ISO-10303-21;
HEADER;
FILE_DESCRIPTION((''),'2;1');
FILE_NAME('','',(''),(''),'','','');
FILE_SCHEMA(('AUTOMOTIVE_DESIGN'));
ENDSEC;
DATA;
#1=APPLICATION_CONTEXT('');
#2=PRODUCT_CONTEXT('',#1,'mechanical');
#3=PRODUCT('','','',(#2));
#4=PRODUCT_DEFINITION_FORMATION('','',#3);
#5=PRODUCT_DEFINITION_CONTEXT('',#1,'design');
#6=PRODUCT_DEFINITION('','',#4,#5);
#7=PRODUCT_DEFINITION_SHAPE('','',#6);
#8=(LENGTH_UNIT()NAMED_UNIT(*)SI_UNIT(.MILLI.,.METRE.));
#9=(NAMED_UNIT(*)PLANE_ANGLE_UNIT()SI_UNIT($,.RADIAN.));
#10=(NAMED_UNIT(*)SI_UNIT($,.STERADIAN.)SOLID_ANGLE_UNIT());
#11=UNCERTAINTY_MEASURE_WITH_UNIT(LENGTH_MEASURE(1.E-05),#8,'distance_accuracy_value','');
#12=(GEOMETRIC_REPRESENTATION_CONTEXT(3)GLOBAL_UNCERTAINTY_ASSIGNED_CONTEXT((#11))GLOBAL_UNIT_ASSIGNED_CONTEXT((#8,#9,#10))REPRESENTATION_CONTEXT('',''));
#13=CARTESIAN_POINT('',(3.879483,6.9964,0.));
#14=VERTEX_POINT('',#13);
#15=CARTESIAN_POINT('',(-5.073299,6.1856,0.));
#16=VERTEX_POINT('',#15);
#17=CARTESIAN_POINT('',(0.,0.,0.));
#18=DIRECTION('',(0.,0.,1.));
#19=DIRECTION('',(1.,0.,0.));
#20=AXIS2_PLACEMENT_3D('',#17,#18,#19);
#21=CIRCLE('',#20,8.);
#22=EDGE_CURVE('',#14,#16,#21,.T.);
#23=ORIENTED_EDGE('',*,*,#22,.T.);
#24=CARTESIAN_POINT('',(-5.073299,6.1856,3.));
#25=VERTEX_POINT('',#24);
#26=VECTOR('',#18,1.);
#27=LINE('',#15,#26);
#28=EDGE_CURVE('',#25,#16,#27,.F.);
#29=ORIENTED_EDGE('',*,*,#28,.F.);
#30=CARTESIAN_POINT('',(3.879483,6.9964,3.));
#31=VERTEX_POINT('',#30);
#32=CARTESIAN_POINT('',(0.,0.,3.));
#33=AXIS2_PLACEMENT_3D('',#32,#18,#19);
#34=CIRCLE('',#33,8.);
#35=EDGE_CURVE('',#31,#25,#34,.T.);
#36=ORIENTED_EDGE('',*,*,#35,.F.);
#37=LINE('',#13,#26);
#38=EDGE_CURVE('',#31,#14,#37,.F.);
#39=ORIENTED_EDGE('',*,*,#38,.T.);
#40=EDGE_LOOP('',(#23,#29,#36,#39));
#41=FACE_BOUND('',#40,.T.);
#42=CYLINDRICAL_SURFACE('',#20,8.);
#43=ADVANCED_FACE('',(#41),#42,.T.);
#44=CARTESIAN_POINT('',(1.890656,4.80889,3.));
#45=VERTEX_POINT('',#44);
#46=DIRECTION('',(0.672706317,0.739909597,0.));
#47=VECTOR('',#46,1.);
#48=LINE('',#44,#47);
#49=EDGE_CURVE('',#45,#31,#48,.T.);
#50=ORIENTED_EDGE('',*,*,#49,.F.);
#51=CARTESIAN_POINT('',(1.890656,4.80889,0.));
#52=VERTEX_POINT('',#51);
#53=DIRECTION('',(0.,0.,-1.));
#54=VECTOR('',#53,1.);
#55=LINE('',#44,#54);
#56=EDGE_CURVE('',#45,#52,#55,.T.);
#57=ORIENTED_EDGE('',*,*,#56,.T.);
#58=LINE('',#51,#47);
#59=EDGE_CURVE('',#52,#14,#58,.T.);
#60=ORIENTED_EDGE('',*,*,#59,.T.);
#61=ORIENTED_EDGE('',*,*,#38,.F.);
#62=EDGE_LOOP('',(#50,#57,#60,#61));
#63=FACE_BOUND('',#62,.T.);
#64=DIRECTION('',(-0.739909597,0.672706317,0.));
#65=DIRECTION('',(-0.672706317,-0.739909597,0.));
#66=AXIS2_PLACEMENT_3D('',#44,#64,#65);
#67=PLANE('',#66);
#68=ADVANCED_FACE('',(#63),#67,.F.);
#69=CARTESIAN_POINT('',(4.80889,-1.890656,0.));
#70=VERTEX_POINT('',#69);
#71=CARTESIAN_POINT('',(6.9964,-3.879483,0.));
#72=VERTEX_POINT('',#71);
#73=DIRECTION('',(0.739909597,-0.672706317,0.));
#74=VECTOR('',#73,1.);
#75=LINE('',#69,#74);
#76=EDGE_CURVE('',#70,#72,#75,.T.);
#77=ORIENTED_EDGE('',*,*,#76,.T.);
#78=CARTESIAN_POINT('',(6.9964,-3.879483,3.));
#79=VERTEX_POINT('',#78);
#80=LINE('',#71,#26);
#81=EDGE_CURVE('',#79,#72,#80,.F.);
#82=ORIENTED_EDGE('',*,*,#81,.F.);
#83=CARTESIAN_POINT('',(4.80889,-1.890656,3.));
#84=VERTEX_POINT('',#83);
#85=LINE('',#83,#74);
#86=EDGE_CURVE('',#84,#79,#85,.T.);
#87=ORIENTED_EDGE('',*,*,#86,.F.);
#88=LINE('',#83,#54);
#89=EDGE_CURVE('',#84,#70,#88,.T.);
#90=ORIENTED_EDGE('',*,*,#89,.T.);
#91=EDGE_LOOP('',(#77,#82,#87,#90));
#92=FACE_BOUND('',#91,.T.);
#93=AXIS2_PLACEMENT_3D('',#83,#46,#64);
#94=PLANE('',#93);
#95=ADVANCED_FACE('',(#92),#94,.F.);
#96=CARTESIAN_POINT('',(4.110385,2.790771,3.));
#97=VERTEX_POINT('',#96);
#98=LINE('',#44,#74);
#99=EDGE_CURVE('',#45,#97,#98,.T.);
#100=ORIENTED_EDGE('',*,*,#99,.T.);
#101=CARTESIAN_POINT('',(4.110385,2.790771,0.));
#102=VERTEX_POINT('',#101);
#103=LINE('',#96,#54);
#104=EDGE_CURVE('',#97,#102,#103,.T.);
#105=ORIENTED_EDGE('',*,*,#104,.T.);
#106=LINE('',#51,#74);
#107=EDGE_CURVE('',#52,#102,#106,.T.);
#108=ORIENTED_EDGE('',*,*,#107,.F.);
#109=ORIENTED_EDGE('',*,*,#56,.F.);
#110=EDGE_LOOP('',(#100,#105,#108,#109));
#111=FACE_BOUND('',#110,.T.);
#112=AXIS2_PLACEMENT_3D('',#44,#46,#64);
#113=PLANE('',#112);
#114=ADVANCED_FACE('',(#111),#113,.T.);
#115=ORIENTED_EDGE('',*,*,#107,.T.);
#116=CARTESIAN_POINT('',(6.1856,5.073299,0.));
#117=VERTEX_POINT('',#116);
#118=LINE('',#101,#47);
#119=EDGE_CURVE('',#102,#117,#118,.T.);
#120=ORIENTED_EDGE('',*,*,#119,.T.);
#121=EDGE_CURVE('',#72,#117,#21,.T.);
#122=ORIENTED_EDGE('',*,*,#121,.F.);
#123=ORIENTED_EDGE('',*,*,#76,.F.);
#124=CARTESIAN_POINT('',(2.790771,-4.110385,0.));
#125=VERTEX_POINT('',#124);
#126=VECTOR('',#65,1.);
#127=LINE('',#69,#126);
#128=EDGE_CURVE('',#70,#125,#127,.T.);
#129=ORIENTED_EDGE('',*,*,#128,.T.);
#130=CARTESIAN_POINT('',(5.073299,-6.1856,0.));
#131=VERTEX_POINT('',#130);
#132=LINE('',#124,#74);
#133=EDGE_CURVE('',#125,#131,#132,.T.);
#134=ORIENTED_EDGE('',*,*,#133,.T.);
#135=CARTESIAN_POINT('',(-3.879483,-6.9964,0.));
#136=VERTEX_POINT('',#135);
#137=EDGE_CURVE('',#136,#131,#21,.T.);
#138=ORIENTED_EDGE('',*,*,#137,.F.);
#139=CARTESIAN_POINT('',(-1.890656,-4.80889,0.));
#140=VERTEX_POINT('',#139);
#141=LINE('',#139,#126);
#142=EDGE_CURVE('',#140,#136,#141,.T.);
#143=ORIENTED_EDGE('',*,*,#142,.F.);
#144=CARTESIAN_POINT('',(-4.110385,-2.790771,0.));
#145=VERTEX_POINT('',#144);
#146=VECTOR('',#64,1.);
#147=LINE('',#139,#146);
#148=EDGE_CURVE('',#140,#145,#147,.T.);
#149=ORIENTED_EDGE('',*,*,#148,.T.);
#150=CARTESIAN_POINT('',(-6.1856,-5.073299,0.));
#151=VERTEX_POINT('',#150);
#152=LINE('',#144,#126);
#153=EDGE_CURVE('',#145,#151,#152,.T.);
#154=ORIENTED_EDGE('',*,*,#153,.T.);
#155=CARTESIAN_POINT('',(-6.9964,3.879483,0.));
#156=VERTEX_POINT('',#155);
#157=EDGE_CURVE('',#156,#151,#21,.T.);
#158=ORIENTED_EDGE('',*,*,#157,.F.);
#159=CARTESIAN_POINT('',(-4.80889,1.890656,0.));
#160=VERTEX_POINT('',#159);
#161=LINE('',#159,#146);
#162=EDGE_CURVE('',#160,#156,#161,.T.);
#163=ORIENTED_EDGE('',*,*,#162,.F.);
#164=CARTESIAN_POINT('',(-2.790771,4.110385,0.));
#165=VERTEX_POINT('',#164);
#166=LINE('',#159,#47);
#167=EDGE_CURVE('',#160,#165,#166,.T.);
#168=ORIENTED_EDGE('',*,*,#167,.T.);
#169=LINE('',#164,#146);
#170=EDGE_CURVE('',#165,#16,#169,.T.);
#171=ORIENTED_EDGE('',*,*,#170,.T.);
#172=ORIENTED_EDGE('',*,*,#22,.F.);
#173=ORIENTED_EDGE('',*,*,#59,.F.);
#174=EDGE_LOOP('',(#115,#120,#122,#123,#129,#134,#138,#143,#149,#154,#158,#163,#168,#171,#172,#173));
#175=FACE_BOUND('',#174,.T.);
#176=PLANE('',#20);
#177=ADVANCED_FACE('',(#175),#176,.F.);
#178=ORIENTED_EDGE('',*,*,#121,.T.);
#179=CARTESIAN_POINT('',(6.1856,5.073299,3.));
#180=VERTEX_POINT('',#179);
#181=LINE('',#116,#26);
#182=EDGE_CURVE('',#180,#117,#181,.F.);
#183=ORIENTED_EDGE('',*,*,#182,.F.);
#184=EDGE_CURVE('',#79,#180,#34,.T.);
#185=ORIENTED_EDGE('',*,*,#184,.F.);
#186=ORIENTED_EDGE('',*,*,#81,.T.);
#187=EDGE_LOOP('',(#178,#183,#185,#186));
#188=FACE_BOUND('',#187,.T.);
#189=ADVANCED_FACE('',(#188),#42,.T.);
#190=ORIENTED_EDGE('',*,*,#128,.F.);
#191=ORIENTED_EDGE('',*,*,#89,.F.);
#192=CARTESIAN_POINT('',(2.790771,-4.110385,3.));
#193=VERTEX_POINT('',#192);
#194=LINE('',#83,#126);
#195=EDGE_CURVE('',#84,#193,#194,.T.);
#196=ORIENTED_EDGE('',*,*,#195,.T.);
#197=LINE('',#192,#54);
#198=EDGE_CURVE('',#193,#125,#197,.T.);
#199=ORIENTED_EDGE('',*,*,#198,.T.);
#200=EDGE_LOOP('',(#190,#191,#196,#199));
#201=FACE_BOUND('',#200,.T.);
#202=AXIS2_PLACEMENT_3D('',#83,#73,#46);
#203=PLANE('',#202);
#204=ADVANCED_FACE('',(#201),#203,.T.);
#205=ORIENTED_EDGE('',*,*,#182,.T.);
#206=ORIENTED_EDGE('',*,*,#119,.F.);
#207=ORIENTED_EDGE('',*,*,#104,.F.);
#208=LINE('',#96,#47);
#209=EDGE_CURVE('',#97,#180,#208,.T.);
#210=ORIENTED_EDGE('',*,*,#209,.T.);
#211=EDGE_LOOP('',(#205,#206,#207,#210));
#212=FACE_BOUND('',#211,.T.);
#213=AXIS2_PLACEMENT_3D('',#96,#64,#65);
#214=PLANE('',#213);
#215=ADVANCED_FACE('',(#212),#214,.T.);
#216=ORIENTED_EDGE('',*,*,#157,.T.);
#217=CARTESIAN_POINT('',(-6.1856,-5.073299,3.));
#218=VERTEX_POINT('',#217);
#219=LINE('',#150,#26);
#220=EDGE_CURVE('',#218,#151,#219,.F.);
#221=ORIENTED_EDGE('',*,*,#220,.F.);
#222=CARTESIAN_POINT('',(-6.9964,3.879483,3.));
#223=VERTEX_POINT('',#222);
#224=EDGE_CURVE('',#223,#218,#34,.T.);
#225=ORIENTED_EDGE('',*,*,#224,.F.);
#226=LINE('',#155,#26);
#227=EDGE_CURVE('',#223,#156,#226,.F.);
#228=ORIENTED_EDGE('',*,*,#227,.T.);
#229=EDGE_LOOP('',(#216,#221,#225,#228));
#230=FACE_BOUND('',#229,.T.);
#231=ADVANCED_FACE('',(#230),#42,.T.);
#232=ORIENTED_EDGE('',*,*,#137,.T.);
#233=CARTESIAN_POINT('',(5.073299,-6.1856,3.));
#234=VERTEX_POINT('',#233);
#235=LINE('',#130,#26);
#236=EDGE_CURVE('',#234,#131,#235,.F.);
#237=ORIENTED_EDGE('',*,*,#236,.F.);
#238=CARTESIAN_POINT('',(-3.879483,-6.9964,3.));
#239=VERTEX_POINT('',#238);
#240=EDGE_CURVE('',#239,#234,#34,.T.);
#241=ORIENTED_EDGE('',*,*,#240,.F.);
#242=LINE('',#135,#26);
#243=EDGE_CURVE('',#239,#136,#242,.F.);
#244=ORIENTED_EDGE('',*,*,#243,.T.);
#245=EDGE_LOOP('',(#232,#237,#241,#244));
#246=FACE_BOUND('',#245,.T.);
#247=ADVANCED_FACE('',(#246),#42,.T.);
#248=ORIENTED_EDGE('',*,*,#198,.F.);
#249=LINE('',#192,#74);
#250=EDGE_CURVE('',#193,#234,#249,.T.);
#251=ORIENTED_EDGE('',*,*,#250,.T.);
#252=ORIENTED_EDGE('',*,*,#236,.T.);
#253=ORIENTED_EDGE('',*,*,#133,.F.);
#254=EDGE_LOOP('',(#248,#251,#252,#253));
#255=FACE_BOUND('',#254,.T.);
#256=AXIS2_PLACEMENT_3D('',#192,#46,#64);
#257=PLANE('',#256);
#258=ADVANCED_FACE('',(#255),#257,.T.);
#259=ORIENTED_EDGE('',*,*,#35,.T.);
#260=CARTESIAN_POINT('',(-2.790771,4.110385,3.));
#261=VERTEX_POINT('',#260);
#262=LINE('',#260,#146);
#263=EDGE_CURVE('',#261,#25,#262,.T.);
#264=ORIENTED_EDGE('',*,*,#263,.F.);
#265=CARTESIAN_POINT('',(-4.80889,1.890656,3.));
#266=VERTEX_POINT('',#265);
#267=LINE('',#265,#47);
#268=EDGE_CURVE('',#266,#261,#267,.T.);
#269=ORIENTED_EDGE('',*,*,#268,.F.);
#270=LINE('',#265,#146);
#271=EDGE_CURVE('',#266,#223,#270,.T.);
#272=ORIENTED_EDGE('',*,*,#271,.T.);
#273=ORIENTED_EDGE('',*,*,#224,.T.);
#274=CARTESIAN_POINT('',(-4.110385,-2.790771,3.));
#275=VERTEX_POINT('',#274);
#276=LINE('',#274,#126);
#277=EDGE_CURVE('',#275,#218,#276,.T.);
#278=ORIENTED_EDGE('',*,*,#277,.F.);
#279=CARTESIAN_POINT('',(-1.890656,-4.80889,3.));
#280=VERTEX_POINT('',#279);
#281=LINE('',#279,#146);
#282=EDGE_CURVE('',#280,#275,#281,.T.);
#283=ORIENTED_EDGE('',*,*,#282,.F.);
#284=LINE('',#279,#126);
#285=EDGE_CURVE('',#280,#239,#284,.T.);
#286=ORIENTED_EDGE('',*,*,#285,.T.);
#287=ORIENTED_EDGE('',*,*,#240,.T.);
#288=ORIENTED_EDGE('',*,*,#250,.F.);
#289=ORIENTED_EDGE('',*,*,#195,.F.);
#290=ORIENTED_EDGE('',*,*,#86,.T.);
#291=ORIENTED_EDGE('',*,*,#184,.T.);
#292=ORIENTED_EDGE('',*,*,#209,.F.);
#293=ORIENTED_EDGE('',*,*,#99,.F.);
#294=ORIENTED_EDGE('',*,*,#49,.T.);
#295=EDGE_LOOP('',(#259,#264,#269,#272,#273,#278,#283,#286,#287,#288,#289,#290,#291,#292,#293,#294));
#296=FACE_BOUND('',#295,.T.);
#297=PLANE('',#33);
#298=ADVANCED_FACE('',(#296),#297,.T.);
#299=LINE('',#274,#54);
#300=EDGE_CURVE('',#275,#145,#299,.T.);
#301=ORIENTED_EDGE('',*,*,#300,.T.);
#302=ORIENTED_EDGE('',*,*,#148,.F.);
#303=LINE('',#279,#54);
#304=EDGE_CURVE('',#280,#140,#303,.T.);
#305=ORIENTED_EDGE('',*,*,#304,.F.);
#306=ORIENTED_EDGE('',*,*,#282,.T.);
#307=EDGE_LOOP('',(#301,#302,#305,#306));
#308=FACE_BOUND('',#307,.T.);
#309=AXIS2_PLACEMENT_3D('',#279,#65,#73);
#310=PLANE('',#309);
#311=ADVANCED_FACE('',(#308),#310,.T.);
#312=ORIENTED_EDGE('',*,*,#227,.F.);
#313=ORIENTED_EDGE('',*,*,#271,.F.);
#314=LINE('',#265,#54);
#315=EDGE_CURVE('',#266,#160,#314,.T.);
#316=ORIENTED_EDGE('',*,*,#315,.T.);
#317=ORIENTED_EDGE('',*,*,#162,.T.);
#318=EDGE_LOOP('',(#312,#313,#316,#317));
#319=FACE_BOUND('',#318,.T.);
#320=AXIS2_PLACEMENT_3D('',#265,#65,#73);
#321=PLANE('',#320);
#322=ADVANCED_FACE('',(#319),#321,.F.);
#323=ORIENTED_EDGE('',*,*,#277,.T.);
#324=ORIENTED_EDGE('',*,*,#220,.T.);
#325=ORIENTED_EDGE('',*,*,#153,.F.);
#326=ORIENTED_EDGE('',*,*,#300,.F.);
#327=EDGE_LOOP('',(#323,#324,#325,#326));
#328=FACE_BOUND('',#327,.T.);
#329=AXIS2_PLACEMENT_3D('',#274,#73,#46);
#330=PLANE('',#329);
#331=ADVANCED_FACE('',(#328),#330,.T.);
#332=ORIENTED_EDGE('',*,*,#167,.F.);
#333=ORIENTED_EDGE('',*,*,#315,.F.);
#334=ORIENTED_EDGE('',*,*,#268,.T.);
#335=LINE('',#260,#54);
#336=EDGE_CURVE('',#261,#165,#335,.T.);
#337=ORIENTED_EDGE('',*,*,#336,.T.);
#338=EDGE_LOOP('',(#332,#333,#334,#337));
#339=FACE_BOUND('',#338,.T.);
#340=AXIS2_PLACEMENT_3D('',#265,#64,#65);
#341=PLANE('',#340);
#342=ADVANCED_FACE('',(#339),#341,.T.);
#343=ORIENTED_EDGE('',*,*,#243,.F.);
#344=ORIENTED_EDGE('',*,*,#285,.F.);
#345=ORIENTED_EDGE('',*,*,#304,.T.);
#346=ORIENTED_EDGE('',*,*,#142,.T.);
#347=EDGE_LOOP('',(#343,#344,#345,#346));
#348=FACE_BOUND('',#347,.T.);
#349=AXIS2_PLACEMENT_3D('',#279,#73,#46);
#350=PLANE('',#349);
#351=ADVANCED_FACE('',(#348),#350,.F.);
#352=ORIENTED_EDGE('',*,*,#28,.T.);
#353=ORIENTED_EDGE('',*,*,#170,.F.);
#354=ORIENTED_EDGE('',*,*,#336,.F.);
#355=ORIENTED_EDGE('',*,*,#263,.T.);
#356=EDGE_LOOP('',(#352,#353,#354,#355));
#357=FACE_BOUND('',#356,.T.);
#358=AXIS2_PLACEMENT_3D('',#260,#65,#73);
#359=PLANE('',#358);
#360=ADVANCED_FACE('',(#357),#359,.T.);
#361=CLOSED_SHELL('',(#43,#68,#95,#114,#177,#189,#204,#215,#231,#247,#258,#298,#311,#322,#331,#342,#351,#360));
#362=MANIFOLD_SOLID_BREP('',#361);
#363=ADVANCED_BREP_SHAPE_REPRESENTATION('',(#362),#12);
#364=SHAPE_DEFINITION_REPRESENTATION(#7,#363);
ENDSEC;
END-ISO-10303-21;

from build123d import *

# Parameters (mm, degrees)
SALIENTE_EXTRUIR3_DEPTH = 3
CROQUIS4_R              = 10
CROQUIS4_R_2            = 8
CORTAR_EXTRUIR4_DEPTH   = 4


with BuildPart() as part:
    # Croquis3 → Saliente-Extruir3 (new body)
    with BuildSketch(Plane.XY):
        with BuildLine():
            Line((-1.890656386, -4.808889521), (-5.254187971, -8.508437504))
            ThreePointArc((-5.254187971, -8.508437504), (0.814446084, -9.966778696), (6.565812029, -7.54255344))
            Line((6.565812029, -7.54255344), (2.790770571, -4.110385176))
            Line((2.790770571, -4.110385176), (4.808889521, -1.890656386))
            Line((4.808889521, -1.890656386), (8.508437504, -5.254187971))
            ThreePointArc((8.508437504, -5.254187971), (9.966778696, 0.814446084), (7.54255344, 6.565812029))
            Line((7.54255344, 6.565812029), (4.110385176, 2.790770571))
            Line((4.110385176, 2.790770571), (1.890656386, 4.808889521))
            Line((1.890656386, 4.808889521), (5.254187971, 8.508437504))
            ThreePointArc((5.254187971, 8.508437504), (-0.814446084, 9.966778696), (-6.565812029, 7.54255344))
            Line((-6.565812029, 7.54255344), (-2.790770571, 4.110385176))
            Line((-2.790770571, 4.110385176), (-4.808889521, 1.890656386))
            Line((-4.808889521, 1.890656386), (-8.508437504, 5.254187971))
            ThreePointArc((-8.508437504, 5.254187971), (-9.966778696, -0.814446084), (-7.54255344, -6.565812029))
            Line((-7.54255344, -6.565812029), (-4.110385176, -2.790770571))
            Line((-4.110385176, -2.790770571), (-1.890656386, -4.808889521))
        make_face()
    extrude(amount=SALIENTE_EXTRUIR3_DEPTH)

    # Croquis4 → Cortar-Extruir4 (cut, through all)
    with BuildSketch(Plane.XY.offset(3)):
        Circle(CROQUIS4_R)
        Circle(CROQUIS4_R_2, mode=Mode.SUBTRACT)
    extrude(amount=-CORTAR_EXTRUIR4_DEPTH, mode=Mode.SUBTRACT)


solid = part.part
